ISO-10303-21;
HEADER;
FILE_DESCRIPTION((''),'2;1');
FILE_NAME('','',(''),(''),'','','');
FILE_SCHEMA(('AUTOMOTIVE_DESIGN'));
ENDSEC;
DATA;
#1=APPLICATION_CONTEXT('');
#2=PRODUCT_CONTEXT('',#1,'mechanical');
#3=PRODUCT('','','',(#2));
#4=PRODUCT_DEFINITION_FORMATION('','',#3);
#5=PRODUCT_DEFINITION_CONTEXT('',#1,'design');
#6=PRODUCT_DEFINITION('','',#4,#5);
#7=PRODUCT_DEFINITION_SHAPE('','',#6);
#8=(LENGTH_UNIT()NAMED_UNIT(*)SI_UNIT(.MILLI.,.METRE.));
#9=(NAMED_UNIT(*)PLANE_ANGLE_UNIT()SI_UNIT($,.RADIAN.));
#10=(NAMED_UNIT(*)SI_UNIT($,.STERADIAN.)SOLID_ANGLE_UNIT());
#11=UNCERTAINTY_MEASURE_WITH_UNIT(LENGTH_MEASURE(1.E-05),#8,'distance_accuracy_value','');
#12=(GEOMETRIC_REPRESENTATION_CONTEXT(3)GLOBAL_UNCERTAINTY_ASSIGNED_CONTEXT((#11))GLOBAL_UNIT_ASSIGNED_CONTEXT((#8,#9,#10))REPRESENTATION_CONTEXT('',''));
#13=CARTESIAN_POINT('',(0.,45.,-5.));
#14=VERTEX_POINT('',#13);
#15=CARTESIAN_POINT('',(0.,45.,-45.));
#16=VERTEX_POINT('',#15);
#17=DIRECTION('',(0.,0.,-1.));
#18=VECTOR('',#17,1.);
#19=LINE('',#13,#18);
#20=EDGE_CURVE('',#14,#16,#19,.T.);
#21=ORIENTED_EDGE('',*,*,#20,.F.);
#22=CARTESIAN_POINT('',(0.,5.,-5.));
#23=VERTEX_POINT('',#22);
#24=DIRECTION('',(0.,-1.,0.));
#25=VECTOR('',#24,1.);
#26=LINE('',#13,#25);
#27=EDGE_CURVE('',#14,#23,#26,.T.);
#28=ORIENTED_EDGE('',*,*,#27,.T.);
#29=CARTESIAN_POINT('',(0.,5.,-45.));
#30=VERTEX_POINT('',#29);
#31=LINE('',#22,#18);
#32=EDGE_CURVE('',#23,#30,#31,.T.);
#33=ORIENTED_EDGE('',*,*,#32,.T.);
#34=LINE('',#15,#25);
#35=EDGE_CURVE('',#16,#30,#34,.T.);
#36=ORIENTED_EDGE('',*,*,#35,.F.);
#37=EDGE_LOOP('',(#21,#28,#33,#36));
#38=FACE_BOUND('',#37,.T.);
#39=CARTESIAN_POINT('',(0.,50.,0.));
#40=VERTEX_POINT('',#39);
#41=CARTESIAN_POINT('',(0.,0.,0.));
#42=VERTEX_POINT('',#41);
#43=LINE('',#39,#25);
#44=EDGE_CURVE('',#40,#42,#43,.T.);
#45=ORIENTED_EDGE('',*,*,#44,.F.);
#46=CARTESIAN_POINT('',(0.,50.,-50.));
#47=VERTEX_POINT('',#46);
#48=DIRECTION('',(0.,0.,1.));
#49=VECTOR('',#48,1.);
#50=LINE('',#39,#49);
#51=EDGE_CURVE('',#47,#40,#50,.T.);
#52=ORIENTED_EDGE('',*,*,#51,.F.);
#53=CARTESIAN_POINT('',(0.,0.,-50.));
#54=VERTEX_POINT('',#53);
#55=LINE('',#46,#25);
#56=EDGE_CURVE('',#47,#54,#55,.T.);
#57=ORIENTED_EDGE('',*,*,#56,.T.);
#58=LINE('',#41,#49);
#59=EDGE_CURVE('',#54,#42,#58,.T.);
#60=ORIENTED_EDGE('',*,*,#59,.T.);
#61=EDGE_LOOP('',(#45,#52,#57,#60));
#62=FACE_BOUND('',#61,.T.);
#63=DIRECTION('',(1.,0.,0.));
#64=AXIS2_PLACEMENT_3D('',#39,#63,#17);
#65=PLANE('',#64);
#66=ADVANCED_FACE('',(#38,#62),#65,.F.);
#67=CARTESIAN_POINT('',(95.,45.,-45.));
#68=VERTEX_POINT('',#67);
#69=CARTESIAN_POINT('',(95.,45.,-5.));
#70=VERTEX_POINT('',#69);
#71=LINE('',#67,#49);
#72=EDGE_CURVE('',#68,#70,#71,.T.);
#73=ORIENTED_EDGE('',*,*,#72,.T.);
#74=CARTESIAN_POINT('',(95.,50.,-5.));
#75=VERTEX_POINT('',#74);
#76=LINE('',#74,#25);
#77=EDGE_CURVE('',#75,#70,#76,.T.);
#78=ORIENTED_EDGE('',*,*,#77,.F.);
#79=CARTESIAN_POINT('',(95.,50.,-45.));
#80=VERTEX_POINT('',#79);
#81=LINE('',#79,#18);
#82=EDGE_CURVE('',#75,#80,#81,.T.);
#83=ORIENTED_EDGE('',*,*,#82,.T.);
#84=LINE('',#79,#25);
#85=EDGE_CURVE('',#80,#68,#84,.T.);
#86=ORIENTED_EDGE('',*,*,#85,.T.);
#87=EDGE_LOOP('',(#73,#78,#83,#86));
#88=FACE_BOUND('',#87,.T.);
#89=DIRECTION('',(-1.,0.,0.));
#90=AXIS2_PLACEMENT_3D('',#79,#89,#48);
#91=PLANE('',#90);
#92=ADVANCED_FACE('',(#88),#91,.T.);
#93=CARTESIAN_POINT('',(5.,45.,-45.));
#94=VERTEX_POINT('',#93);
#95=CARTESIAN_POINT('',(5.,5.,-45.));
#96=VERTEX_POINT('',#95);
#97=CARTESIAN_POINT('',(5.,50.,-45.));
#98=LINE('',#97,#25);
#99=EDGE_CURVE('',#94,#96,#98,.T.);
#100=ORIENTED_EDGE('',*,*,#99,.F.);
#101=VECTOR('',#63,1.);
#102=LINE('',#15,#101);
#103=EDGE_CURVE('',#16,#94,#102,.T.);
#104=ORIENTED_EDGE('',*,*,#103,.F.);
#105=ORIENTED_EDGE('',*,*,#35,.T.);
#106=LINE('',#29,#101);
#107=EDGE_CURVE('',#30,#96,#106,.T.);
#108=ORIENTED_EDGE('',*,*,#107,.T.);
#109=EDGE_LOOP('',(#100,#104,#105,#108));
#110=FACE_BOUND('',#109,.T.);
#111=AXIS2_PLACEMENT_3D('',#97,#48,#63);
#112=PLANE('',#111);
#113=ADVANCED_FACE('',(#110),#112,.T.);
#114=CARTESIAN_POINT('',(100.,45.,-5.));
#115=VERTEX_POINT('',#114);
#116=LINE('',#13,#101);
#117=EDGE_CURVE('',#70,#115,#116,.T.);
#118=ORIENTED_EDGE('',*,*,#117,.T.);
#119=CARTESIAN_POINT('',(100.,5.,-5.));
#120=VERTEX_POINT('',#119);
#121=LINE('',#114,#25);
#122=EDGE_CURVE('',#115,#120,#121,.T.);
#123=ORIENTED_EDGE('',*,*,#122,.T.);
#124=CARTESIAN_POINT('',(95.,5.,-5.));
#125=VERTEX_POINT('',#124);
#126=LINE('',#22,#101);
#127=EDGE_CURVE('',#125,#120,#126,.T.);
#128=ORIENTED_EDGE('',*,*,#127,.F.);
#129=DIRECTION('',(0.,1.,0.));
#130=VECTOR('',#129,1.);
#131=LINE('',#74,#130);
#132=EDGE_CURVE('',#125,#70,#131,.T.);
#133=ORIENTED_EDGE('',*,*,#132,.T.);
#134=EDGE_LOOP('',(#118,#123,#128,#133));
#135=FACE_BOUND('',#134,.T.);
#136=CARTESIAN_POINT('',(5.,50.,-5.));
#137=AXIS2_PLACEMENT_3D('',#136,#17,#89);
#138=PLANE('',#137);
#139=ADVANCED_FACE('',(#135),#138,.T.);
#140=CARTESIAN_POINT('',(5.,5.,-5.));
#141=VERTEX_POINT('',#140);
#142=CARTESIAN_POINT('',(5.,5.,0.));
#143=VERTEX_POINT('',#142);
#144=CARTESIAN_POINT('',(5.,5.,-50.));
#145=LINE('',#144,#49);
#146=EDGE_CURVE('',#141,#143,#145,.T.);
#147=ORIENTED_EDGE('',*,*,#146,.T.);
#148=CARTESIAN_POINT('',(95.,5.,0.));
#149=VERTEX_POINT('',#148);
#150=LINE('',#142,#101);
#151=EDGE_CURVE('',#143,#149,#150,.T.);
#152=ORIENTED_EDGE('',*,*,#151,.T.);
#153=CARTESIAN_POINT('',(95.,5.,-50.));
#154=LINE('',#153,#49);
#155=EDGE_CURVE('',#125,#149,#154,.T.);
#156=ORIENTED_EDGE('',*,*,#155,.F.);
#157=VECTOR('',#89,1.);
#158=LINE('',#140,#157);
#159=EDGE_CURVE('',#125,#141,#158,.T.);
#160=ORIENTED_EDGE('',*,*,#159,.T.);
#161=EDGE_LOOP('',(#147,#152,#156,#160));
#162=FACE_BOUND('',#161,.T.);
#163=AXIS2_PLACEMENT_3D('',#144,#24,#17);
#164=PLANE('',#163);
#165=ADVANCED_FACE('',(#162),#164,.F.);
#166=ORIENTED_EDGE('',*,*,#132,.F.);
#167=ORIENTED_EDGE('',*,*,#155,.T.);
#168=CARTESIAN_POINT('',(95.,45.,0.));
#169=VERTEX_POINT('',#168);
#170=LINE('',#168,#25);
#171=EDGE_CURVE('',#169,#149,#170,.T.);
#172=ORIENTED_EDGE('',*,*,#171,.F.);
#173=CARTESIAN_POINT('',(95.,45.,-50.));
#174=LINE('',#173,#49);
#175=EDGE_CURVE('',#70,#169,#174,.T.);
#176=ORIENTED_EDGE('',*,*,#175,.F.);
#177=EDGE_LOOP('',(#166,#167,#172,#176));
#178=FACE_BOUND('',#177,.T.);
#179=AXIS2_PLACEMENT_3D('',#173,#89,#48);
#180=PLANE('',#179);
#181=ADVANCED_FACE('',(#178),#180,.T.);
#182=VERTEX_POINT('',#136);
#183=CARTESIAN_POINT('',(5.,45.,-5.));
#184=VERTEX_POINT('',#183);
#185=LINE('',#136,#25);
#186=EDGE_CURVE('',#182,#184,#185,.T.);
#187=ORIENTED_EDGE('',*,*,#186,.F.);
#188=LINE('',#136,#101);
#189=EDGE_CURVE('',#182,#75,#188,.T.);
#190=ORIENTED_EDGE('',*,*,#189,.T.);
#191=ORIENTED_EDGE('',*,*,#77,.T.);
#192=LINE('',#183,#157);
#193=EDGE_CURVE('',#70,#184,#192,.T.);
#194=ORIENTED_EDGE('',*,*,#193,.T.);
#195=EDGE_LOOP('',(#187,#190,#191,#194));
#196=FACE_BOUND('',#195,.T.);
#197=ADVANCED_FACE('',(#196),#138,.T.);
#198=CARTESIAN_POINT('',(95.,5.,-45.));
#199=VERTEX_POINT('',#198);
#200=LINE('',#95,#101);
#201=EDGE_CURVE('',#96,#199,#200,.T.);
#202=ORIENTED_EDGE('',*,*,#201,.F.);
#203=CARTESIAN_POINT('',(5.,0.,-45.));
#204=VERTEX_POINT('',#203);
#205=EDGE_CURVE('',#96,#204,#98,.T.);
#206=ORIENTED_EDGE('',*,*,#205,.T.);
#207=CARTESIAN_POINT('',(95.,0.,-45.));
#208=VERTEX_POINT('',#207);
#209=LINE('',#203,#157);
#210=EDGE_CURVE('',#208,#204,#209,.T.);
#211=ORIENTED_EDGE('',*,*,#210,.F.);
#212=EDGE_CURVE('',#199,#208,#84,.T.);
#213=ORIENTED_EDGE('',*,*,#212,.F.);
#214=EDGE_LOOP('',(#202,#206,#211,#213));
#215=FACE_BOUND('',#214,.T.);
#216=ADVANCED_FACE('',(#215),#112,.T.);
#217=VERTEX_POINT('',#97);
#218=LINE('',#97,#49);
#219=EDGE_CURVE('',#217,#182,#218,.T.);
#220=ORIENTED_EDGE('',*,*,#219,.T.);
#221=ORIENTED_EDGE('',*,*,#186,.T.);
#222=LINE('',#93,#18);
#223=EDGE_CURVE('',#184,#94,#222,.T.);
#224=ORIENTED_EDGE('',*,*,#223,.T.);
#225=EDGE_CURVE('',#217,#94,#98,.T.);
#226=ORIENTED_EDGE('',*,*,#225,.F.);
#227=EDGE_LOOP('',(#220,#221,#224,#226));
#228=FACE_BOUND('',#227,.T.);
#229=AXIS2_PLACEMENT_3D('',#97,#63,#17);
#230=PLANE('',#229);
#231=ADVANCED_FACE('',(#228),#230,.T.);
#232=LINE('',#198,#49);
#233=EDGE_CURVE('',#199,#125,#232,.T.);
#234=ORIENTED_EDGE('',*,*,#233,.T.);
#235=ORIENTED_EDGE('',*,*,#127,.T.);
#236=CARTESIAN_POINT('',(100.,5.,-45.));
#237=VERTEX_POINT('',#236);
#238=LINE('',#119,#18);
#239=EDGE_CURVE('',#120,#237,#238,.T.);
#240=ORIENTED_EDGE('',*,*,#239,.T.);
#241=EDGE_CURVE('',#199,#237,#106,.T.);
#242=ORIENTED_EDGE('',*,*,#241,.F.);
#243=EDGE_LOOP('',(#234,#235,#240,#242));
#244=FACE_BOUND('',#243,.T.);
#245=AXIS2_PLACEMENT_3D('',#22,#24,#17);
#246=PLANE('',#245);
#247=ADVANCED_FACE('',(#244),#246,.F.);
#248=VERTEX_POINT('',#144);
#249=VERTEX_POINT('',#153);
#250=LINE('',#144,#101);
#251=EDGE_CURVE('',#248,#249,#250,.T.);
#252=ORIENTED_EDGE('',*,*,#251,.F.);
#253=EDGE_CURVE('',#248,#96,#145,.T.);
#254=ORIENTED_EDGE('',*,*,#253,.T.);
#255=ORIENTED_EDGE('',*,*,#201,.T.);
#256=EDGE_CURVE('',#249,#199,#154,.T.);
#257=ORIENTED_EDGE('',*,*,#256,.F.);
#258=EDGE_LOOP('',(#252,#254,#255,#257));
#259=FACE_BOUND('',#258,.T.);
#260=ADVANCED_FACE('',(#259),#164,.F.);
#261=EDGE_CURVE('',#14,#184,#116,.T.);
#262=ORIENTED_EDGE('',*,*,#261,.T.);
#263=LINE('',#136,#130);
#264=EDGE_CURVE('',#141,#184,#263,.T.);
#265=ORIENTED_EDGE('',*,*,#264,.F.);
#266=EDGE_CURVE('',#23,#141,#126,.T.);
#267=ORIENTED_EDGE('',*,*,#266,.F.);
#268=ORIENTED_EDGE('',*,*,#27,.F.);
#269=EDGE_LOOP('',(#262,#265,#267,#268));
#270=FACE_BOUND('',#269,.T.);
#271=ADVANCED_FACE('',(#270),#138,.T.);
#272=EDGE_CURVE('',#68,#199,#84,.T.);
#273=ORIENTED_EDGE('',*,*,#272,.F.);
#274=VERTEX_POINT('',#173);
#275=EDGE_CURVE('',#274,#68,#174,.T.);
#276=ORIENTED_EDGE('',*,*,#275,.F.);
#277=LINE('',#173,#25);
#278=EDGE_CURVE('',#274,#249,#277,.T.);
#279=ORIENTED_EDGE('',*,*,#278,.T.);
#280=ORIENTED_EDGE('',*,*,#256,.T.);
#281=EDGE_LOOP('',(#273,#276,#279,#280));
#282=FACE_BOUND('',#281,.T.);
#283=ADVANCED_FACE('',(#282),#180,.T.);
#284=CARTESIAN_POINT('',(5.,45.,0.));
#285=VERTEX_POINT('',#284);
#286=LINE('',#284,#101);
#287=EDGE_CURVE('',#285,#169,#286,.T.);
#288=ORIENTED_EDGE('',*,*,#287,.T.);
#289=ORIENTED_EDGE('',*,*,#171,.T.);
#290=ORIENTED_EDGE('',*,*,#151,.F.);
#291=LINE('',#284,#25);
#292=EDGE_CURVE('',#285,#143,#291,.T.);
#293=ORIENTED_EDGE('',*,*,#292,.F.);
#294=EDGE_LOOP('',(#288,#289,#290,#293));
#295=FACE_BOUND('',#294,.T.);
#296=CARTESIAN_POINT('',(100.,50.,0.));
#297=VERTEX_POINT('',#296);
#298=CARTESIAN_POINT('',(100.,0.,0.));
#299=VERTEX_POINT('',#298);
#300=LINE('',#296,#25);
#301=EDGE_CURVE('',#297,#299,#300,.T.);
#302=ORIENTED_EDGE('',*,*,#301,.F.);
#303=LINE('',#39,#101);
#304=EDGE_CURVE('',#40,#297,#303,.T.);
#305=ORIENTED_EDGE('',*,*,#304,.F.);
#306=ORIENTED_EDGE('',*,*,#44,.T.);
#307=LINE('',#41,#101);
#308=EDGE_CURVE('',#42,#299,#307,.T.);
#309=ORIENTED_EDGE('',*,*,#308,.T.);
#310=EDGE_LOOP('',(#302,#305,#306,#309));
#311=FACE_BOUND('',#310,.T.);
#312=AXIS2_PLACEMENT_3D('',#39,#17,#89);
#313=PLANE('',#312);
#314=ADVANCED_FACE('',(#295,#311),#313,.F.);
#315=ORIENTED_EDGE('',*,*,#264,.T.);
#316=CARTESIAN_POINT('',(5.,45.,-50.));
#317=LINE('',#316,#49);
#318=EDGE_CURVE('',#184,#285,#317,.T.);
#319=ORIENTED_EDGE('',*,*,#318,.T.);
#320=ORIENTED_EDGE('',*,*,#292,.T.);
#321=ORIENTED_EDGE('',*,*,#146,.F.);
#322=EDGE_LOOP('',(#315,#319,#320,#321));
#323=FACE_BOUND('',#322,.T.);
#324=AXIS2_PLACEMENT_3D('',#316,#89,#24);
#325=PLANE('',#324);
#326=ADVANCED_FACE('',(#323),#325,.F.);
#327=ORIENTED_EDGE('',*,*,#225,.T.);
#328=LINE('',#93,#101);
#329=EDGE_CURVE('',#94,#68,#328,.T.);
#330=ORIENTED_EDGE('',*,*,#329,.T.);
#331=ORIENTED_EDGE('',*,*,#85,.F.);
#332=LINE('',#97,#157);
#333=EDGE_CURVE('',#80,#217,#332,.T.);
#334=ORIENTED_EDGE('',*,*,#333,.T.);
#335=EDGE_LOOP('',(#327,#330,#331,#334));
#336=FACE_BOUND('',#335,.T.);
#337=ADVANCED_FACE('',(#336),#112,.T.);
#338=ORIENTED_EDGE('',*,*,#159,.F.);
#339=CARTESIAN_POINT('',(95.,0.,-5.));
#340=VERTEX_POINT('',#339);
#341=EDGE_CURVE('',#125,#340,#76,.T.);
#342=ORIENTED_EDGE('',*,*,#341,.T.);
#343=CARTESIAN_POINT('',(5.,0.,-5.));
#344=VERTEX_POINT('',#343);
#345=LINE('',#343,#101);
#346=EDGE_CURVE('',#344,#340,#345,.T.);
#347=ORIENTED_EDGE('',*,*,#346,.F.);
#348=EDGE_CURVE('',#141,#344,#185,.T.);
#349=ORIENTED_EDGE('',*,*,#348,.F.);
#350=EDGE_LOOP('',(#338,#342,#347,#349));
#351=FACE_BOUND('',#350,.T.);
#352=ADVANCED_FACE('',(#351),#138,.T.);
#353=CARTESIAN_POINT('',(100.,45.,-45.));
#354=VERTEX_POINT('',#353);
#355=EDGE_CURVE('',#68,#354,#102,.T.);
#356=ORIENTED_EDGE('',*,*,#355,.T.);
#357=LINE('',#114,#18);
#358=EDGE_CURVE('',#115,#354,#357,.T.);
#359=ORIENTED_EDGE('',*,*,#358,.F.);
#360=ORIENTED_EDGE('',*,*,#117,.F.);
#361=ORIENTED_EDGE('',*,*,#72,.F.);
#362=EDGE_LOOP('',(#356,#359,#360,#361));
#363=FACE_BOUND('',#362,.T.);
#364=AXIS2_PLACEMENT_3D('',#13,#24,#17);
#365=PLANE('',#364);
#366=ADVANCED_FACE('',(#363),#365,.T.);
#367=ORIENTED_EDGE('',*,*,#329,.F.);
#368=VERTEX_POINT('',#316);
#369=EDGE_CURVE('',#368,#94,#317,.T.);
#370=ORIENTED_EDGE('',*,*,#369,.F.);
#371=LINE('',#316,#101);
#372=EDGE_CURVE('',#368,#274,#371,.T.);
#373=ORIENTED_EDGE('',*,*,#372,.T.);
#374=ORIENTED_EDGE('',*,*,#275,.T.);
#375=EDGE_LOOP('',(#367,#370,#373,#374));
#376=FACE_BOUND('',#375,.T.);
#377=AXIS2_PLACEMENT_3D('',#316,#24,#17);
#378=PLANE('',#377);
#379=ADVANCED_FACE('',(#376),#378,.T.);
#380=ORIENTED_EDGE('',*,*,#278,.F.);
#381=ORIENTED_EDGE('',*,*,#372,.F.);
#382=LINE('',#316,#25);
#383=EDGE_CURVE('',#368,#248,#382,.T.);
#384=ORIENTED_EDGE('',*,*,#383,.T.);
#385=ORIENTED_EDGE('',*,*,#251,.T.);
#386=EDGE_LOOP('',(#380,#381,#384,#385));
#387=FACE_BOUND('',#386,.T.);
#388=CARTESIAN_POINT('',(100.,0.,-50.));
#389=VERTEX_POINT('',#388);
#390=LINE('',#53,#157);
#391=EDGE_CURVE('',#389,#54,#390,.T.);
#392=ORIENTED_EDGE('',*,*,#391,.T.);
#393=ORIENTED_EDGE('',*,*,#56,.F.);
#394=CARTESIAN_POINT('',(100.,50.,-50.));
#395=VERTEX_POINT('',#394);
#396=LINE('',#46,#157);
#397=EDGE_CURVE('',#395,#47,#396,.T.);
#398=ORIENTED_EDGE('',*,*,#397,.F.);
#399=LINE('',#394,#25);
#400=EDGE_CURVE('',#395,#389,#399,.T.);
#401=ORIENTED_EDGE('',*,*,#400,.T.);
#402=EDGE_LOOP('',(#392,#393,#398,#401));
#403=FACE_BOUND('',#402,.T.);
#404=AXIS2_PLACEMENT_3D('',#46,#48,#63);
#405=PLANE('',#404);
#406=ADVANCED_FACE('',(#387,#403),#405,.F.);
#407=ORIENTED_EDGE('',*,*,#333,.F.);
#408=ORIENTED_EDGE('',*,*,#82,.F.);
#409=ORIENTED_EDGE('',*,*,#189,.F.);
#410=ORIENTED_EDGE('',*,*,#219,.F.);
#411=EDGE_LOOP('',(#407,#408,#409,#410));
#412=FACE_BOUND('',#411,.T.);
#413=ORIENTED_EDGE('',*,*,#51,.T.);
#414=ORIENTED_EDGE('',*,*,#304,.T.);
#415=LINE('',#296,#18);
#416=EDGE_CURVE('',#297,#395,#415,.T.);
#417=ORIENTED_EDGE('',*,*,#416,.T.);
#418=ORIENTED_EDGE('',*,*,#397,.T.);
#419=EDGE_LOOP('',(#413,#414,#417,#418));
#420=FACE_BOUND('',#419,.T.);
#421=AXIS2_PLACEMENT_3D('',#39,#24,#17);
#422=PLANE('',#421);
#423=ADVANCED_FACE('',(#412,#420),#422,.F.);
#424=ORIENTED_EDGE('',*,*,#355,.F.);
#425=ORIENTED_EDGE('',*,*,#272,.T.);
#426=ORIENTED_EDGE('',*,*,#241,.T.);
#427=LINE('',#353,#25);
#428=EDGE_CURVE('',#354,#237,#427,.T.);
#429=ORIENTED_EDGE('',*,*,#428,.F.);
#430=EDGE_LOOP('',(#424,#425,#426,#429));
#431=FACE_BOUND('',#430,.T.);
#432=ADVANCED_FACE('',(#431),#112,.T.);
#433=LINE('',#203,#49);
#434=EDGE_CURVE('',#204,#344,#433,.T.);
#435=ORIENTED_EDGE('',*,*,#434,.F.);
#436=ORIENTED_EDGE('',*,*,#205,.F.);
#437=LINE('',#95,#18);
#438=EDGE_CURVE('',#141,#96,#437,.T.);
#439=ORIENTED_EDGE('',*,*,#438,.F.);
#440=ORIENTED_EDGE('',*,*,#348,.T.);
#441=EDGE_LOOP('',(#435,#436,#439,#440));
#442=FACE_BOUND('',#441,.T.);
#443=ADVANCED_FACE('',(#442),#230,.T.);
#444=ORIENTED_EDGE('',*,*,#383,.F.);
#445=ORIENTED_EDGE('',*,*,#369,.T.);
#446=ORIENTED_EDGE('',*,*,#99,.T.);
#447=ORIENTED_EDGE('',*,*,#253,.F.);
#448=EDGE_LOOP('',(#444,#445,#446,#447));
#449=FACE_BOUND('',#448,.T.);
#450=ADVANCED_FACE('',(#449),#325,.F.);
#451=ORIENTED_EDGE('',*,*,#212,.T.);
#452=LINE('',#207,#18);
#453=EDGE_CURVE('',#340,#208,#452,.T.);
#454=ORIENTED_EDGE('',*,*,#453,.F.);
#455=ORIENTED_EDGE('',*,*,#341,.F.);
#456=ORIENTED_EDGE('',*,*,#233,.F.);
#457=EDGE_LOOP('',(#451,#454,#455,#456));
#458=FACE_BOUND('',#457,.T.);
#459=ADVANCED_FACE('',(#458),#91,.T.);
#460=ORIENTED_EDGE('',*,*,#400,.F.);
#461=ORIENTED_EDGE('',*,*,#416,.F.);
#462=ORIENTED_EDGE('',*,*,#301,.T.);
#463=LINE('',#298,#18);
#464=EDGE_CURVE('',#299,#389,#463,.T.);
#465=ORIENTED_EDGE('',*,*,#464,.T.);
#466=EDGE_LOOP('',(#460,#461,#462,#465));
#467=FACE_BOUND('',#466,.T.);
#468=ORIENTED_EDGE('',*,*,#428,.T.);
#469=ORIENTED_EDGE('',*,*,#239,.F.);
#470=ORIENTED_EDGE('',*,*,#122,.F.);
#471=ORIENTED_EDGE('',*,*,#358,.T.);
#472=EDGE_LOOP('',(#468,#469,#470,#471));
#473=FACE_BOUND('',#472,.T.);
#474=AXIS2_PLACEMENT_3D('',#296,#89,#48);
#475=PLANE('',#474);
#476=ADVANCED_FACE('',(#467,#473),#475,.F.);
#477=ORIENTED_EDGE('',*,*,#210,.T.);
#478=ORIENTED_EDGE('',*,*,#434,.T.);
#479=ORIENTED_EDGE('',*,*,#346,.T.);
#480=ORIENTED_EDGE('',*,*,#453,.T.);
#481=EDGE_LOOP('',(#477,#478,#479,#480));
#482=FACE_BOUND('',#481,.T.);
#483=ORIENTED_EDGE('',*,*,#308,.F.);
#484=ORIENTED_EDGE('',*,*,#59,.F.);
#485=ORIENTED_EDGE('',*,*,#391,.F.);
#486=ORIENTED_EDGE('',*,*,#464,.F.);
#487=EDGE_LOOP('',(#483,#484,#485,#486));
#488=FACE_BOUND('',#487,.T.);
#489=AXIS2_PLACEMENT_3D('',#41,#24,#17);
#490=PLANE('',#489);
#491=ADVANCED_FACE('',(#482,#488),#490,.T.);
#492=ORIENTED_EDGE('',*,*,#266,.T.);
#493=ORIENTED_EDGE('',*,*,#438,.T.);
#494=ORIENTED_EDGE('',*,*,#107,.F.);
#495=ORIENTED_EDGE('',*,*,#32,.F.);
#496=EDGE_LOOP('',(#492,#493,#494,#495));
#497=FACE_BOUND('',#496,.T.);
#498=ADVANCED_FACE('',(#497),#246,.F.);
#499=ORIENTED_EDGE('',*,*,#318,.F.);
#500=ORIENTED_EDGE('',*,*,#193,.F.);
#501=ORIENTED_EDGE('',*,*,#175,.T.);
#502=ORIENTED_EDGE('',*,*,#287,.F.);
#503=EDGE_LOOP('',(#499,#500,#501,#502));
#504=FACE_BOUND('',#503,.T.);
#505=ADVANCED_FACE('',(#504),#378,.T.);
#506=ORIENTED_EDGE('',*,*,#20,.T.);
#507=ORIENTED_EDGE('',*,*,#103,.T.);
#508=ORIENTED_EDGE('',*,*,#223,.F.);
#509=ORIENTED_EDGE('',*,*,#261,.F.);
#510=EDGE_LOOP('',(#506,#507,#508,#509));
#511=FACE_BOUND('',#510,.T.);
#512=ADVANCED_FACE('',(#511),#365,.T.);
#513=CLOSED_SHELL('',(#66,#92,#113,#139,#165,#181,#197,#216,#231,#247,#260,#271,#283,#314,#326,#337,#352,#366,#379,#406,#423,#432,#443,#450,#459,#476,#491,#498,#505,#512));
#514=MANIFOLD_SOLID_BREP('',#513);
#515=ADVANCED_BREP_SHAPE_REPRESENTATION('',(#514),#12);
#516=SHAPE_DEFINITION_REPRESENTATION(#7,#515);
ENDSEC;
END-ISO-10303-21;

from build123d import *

# Parameters (mm, degrees)
SKETCH1_W           = 100
SKETCH1_H           = 50
SKETCH1_W_2         = 90
SKETCH1_H_2         = 40
BOSS_EXTRUDE1_DEPTH = 50
SKETCH2_W           = 40
SKETCH2_H           = 40
CUT_EXTRUDE1_DEPTH  = 101
SKETCH3_W           = 90
SKETCH3_H           = 40
CUT_EXTRUDE2_DEPTH  = 51


with BuildPart() as part:
    # Sketch1 → Boss-Extrude1 (new body)
    with BuildSketch(Plane(origin=(0, 0, 0), x_dir=(1, 0, 0), z_dir=(0, 1, 0))):
        with Locations((50, 25)):
            Rectangle(SKETCH1_W, SKETCH1_H)
        with Locations((50, 25)):
            Rectangle(SKETCH1_W_2, SKETCH1_H_2, mode=Mode.SUBTRACT)
    extrude(amount=BOSS_EXTRUDE1_DEPTH)

    # Sketch2 → Cut-Extrude1 (cut, through all)
    with BuildSketch(Plane(origin=(100, 0, 0), x_dir=(0, 0, -1), z_dir=(1, 0, 0))):
        with Locations((25, 25)):
            Rectangle(SKETCH2_W, SKETCH2_H)
    extrude(amount=-CUT_EXTRUDE1_DEPTH, mode=Mode.SUBTRACT)

    # Sketch3 → Cut-Extrude2 (cut, through all)
    with BuildSketch(Plane.XY):
        with Locations((50, 25)):
            Rectangle(SKETCH3_W, SKETCH3_H)
    extrude(amount=-CUT_EXTRUDE2_DEPTH, mode=Mode.SUBTRACT)


solid = part.part
